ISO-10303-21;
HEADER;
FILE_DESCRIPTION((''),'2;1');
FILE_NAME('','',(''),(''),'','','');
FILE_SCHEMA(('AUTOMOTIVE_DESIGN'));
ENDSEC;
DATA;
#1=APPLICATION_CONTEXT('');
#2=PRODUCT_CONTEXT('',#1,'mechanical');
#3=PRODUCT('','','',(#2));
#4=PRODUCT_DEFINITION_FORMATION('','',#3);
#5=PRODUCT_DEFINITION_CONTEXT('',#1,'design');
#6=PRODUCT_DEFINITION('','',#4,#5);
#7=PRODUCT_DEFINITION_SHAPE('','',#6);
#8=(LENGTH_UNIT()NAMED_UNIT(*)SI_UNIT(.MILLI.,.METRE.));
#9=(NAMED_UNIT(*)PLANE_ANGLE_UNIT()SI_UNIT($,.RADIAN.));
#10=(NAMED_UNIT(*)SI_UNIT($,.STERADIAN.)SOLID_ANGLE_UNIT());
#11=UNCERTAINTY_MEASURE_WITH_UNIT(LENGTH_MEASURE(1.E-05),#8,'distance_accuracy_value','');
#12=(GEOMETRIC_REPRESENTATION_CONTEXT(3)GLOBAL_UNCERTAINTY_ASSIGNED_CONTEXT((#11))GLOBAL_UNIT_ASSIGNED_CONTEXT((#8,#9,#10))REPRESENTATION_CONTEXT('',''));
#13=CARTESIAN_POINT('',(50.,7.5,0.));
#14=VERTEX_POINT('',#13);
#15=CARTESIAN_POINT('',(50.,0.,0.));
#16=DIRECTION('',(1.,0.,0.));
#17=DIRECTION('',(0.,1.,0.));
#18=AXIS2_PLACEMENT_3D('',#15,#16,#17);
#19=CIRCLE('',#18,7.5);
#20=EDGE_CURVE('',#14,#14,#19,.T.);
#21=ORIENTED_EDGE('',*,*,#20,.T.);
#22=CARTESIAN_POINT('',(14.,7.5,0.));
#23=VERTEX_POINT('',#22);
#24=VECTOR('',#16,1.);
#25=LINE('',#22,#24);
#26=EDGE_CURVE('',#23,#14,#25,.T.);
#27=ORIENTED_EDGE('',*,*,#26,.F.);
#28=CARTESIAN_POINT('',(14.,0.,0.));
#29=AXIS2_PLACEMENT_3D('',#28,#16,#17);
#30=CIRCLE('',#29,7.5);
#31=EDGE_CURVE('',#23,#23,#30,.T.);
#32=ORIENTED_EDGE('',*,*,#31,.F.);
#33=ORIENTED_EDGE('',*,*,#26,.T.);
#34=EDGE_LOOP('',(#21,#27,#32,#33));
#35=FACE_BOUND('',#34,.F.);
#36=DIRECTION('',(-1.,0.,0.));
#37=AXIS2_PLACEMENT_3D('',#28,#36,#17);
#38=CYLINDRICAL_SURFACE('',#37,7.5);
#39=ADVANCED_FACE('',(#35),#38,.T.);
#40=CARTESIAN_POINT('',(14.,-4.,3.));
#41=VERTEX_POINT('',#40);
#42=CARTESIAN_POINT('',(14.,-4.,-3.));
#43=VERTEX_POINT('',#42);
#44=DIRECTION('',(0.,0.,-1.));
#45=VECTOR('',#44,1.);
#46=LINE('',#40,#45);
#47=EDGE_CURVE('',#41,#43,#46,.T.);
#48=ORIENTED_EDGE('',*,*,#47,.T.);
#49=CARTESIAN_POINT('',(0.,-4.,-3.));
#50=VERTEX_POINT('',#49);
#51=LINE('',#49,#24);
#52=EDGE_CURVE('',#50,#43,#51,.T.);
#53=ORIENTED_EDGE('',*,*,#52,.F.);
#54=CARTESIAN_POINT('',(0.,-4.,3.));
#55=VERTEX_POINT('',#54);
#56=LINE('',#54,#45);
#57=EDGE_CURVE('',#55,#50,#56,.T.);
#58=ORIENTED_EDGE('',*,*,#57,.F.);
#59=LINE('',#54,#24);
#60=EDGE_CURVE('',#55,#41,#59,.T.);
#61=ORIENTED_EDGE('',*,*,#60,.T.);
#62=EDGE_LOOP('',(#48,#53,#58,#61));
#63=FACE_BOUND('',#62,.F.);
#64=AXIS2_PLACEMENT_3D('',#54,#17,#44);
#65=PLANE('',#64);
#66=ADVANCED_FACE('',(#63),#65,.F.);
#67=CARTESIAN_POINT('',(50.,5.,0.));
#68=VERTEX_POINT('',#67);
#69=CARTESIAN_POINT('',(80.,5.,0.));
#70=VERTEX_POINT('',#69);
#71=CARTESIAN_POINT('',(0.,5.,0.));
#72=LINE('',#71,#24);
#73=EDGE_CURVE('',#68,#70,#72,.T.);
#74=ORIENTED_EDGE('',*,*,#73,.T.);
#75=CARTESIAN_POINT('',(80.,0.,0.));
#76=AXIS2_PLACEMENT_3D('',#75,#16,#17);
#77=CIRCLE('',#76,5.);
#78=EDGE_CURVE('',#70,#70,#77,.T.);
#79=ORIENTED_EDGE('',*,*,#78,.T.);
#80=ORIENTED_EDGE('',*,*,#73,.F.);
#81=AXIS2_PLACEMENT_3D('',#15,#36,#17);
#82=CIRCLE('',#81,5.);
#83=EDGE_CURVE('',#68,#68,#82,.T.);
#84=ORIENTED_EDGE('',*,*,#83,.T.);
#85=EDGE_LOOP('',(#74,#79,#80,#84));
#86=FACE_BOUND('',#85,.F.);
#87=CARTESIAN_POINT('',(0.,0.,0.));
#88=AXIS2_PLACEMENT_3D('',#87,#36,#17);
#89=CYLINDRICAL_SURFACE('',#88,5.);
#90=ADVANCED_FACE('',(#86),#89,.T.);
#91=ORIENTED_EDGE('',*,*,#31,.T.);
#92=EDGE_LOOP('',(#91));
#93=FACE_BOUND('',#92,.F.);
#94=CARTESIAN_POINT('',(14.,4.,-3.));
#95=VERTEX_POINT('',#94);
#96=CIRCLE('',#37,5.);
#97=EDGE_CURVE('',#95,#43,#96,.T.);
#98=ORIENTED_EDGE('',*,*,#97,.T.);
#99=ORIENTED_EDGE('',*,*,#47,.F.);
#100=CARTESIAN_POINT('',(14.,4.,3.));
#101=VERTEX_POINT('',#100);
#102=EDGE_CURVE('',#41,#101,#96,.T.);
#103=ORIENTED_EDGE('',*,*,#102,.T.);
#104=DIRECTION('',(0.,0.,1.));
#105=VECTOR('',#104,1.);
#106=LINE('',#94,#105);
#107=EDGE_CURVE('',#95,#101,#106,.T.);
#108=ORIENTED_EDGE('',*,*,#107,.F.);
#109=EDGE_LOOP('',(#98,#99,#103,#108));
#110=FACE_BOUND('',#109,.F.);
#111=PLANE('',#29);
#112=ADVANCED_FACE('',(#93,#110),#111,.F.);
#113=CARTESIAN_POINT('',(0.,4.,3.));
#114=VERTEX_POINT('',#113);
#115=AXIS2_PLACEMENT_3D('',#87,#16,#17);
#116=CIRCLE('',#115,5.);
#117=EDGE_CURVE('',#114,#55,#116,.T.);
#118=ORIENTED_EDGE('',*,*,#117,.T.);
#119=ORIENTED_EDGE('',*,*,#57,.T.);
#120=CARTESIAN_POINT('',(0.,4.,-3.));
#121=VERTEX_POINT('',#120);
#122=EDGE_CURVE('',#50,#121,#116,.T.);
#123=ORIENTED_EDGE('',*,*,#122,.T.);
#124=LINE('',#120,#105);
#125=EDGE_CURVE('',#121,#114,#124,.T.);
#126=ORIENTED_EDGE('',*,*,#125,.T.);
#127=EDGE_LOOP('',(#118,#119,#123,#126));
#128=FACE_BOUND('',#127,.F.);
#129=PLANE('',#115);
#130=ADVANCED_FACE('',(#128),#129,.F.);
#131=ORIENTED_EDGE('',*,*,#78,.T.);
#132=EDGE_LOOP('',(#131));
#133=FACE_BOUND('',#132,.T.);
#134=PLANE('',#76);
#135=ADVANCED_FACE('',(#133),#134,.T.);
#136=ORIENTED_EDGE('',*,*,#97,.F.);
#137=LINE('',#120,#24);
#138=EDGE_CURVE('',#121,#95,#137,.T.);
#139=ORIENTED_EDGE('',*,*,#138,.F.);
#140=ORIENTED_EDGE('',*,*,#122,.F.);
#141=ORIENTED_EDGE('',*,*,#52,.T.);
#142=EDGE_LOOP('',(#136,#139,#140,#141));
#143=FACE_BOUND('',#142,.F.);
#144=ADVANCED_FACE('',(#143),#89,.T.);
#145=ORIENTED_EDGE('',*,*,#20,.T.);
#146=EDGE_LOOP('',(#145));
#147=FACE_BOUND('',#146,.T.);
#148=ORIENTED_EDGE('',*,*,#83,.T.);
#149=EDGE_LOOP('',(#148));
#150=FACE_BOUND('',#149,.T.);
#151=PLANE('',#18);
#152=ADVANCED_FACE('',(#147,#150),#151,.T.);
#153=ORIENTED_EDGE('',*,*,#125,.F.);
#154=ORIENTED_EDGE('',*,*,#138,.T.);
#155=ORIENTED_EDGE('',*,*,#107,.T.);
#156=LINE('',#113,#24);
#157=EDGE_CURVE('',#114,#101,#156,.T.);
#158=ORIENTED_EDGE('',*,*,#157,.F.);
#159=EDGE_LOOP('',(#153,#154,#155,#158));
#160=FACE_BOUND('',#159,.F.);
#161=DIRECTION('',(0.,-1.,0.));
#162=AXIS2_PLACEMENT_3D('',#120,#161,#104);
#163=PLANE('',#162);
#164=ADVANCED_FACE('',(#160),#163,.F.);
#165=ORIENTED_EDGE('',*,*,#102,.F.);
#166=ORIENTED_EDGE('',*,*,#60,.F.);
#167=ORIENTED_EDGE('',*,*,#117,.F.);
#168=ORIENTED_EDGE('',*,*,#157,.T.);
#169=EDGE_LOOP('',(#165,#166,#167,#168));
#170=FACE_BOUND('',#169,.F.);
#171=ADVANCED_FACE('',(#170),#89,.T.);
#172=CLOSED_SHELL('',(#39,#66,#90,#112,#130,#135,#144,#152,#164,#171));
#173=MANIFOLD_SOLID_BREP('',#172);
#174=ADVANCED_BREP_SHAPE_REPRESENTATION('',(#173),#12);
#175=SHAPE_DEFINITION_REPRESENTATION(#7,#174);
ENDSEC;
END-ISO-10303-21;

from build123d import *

# Parameters (mm, degrees)
F0_R     = 5
F1_DEPTH = 80
F3_R     = 7.5
F4_DEPTH = 36
F6_DEPTH = 14


with BuildPart() as f1:
    # F0 (on Right) → F1 (new body)
    with BuildSketch(Plane.YZ):
        Circle(F0_R)
    extrude(amount=F1_DEPTH)

    # F3 (on offset) → F4 (join)
    with BuildSketch(Plane.YZ.offset(14)):
        Circle(F3_R)
    extrude(amount=F4_DEPTH)

    # F5 (on face) → F6 (cut, through all)
    with BuildSketch(Plane(origin=(0, 0, 0), x_dir=(0, -1, 0), z_dir=(-1, 0, 0))):
        with BuildLine():
            Line((-4, -3), (-4, 3))
            ThreePointArc((-4, 3), (-5, 0), (-4, -3))
        make_face()
        with BuildLine():
            ThreePointArc((4, -3), (5, 0), (4, 3))
            Line((4, 3), (4, -3))
        make_face()
    extrude(amount=-F6_DEPTH, mode=Mode.SUBTRACT)


solid = f1.part
